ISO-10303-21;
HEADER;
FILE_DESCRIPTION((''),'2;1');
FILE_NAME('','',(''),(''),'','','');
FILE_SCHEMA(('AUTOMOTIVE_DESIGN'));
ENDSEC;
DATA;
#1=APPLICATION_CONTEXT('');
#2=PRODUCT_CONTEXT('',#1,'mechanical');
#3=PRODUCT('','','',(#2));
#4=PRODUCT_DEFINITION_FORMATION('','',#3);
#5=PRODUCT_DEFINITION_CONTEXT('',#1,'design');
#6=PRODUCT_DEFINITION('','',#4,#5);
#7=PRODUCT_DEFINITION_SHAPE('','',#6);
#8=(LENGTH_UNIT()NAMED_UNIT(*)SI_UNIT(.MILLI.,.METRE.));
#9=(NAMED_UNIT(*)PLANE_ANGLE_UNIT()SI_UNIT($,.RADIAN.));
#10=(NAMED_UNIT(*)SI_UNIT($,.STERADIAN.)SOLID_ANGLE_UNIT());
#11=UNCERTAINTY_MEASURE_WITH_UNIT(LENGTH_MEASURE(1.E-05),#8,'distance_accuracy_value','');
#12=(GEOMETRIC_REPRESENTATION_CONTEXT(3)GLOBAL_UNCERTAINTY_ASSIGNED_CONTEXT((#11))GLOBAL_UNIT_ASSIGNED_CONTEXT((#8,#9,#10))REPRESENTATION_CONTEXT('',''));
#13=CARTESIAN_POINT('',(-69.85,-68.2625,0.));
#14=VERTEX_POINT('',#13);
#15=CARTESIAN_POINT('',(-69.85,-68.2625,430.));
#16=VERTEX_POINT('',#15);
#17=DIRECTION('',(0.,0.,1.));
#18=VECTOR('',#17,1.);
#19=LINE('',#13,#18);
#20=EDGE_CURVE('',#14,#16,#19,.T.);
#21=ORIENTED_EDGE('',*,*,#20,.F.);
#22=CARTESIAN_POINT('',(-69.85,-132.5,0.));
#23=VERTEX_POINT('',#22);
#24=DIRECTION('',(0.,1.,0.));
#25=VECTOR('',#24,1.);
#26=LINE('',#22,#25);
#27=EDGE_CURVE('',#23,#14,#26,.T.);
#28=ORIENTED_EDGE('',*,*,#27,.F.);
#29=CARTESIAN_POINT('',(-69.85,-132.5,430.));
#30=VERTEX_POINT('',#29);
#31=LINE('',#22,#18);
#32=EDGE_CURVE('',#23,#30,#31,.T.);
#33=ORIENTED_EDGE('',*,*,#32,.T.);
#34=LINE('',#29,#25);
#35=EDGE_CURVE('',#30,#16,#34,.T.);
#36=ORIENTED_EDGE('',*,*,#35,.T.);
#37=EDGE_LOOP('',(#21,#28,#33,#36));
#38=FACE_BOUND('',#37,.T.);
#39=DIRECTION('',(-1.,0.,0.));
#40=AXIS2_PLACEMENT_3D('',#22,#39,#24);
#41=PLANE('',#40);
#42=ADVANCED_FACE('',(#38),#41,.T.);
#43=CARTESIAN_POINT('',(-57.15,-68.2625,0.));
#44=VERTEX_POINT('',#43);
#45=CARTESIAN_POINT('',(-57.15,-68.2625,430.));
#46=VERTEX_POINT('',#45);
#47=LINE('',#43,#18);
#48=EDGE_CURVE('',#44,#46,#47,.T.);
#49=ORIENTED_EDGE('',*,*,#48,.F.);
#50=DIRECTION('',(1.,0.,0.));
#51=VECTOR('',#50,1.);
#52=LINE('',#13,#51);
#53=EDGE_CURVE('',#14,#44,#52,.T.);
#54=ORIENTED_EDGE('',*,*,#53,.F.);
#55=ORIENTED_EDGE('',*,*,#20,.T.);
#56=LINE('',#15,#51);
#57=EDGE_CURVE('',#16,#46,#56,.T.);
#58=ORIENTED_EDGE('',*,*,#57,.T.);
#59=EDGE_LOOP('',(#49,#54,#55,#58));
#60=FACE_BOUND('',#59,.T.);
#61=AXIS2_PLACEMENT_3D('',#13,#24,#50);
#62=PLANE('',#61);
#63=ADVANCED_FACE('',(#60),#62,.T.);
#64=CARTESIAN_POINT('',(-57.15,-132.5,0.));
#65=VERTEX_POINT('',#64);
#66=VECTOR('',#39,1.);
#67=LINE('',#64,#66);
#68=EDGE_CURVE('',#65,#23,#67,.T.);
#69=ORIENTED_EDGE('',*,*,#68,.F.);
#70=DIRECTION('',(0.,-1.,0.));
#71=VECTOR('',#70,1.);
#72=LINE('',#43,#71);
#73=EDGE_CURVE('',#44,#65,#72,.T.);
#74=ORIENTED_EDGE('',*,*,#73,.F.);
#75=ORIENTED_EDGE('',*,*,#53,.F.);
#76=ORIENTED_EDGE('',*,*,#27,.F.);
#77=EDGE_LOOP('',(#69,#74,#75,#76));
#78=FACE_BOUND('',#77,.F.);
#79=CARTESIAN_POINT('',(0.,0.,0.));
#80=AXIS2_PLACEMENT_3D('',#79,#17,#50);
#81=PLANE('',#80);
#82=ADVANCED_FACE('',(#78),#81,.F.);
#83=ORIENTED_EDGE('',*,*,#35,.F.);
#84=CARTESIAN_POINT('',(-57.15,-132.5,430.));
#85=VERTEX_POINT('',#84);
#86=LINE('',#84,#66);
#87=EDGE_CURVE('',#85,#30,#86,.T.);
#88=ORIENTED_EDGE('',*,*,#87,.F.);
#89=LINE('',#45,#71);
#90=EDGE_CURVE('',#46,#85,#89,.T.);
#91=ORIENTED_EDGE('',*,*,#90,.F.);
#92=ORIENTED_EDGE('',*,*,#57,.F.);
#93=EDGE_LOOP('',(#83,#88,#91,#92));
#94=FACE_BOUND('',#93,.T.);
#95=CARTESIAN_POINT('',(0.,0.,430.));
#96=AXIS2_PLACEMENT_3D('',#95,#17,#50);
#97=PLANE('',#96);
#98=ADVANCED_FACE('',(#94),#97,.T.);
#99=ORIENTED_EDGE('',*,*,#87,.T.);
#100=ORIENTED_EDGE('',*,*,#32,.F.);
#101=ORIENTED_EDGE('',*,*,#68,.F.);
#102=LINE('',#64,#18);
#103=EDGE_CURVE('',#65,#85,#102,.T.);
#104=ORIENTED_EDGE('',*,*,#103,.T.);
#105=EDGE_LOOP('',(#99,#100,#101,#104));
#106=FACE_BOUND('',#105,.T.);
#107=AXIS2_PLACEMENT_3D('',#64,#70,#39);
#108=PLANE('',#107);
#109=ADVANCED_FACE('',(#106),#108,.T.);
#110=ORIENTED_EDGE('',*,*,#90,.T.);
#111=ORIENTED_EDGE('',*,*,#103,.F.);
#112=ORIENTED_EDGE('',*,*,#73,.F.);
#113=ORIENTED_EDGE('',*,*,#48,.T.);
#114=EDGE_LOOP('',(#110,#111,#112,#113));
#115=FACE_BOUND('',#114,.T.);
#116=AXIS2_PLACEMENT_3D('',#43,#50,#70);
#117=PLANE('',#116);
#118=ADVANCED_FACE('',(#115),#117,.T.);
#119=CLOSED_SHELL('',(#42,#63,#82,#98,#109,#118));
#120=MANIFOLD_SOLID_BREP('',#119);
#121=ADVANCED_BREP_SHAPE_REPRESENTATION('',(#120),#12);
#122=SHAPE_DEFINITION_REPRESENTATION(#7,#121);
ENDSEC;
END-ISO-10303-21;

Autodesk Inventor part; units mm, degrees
ref_plane "YZ Plane" through (0, 0, 0) normal (1, 0, 0) x (0, 1, 0)
ref_plane "XZ Plane" through (0, 0, 0) normal (0, 1, 0) x (-1, 0, 0)
ref_plane "XY Plane" through (0, 0, 0) normal (0, 0, 1) x (1, 0, 0)
sketch "Sketch1" plane through (0, 0, 0) normal (0, 0, 1) x (1, 0, 0)
  line L0 (-57.15, -132.5) -> (-69.85, -132.5)
  line L1 (-69.85, -132.5) -> (-69.85, -68.2625)
  line L2 (-69.85, -68.2625) -> (-57.15, -68.2625)
  line L3 (-57.15, -68.2625) -> (-57.15, -132.5)
  point P0 (0, 0)
  point P1 (-57.15, -68.2625)
  point P2 (-69.85, -132.5)
extrude "Extrusion1" add sketch "Sketch1" along normal blind 430
properties part number "Front"
